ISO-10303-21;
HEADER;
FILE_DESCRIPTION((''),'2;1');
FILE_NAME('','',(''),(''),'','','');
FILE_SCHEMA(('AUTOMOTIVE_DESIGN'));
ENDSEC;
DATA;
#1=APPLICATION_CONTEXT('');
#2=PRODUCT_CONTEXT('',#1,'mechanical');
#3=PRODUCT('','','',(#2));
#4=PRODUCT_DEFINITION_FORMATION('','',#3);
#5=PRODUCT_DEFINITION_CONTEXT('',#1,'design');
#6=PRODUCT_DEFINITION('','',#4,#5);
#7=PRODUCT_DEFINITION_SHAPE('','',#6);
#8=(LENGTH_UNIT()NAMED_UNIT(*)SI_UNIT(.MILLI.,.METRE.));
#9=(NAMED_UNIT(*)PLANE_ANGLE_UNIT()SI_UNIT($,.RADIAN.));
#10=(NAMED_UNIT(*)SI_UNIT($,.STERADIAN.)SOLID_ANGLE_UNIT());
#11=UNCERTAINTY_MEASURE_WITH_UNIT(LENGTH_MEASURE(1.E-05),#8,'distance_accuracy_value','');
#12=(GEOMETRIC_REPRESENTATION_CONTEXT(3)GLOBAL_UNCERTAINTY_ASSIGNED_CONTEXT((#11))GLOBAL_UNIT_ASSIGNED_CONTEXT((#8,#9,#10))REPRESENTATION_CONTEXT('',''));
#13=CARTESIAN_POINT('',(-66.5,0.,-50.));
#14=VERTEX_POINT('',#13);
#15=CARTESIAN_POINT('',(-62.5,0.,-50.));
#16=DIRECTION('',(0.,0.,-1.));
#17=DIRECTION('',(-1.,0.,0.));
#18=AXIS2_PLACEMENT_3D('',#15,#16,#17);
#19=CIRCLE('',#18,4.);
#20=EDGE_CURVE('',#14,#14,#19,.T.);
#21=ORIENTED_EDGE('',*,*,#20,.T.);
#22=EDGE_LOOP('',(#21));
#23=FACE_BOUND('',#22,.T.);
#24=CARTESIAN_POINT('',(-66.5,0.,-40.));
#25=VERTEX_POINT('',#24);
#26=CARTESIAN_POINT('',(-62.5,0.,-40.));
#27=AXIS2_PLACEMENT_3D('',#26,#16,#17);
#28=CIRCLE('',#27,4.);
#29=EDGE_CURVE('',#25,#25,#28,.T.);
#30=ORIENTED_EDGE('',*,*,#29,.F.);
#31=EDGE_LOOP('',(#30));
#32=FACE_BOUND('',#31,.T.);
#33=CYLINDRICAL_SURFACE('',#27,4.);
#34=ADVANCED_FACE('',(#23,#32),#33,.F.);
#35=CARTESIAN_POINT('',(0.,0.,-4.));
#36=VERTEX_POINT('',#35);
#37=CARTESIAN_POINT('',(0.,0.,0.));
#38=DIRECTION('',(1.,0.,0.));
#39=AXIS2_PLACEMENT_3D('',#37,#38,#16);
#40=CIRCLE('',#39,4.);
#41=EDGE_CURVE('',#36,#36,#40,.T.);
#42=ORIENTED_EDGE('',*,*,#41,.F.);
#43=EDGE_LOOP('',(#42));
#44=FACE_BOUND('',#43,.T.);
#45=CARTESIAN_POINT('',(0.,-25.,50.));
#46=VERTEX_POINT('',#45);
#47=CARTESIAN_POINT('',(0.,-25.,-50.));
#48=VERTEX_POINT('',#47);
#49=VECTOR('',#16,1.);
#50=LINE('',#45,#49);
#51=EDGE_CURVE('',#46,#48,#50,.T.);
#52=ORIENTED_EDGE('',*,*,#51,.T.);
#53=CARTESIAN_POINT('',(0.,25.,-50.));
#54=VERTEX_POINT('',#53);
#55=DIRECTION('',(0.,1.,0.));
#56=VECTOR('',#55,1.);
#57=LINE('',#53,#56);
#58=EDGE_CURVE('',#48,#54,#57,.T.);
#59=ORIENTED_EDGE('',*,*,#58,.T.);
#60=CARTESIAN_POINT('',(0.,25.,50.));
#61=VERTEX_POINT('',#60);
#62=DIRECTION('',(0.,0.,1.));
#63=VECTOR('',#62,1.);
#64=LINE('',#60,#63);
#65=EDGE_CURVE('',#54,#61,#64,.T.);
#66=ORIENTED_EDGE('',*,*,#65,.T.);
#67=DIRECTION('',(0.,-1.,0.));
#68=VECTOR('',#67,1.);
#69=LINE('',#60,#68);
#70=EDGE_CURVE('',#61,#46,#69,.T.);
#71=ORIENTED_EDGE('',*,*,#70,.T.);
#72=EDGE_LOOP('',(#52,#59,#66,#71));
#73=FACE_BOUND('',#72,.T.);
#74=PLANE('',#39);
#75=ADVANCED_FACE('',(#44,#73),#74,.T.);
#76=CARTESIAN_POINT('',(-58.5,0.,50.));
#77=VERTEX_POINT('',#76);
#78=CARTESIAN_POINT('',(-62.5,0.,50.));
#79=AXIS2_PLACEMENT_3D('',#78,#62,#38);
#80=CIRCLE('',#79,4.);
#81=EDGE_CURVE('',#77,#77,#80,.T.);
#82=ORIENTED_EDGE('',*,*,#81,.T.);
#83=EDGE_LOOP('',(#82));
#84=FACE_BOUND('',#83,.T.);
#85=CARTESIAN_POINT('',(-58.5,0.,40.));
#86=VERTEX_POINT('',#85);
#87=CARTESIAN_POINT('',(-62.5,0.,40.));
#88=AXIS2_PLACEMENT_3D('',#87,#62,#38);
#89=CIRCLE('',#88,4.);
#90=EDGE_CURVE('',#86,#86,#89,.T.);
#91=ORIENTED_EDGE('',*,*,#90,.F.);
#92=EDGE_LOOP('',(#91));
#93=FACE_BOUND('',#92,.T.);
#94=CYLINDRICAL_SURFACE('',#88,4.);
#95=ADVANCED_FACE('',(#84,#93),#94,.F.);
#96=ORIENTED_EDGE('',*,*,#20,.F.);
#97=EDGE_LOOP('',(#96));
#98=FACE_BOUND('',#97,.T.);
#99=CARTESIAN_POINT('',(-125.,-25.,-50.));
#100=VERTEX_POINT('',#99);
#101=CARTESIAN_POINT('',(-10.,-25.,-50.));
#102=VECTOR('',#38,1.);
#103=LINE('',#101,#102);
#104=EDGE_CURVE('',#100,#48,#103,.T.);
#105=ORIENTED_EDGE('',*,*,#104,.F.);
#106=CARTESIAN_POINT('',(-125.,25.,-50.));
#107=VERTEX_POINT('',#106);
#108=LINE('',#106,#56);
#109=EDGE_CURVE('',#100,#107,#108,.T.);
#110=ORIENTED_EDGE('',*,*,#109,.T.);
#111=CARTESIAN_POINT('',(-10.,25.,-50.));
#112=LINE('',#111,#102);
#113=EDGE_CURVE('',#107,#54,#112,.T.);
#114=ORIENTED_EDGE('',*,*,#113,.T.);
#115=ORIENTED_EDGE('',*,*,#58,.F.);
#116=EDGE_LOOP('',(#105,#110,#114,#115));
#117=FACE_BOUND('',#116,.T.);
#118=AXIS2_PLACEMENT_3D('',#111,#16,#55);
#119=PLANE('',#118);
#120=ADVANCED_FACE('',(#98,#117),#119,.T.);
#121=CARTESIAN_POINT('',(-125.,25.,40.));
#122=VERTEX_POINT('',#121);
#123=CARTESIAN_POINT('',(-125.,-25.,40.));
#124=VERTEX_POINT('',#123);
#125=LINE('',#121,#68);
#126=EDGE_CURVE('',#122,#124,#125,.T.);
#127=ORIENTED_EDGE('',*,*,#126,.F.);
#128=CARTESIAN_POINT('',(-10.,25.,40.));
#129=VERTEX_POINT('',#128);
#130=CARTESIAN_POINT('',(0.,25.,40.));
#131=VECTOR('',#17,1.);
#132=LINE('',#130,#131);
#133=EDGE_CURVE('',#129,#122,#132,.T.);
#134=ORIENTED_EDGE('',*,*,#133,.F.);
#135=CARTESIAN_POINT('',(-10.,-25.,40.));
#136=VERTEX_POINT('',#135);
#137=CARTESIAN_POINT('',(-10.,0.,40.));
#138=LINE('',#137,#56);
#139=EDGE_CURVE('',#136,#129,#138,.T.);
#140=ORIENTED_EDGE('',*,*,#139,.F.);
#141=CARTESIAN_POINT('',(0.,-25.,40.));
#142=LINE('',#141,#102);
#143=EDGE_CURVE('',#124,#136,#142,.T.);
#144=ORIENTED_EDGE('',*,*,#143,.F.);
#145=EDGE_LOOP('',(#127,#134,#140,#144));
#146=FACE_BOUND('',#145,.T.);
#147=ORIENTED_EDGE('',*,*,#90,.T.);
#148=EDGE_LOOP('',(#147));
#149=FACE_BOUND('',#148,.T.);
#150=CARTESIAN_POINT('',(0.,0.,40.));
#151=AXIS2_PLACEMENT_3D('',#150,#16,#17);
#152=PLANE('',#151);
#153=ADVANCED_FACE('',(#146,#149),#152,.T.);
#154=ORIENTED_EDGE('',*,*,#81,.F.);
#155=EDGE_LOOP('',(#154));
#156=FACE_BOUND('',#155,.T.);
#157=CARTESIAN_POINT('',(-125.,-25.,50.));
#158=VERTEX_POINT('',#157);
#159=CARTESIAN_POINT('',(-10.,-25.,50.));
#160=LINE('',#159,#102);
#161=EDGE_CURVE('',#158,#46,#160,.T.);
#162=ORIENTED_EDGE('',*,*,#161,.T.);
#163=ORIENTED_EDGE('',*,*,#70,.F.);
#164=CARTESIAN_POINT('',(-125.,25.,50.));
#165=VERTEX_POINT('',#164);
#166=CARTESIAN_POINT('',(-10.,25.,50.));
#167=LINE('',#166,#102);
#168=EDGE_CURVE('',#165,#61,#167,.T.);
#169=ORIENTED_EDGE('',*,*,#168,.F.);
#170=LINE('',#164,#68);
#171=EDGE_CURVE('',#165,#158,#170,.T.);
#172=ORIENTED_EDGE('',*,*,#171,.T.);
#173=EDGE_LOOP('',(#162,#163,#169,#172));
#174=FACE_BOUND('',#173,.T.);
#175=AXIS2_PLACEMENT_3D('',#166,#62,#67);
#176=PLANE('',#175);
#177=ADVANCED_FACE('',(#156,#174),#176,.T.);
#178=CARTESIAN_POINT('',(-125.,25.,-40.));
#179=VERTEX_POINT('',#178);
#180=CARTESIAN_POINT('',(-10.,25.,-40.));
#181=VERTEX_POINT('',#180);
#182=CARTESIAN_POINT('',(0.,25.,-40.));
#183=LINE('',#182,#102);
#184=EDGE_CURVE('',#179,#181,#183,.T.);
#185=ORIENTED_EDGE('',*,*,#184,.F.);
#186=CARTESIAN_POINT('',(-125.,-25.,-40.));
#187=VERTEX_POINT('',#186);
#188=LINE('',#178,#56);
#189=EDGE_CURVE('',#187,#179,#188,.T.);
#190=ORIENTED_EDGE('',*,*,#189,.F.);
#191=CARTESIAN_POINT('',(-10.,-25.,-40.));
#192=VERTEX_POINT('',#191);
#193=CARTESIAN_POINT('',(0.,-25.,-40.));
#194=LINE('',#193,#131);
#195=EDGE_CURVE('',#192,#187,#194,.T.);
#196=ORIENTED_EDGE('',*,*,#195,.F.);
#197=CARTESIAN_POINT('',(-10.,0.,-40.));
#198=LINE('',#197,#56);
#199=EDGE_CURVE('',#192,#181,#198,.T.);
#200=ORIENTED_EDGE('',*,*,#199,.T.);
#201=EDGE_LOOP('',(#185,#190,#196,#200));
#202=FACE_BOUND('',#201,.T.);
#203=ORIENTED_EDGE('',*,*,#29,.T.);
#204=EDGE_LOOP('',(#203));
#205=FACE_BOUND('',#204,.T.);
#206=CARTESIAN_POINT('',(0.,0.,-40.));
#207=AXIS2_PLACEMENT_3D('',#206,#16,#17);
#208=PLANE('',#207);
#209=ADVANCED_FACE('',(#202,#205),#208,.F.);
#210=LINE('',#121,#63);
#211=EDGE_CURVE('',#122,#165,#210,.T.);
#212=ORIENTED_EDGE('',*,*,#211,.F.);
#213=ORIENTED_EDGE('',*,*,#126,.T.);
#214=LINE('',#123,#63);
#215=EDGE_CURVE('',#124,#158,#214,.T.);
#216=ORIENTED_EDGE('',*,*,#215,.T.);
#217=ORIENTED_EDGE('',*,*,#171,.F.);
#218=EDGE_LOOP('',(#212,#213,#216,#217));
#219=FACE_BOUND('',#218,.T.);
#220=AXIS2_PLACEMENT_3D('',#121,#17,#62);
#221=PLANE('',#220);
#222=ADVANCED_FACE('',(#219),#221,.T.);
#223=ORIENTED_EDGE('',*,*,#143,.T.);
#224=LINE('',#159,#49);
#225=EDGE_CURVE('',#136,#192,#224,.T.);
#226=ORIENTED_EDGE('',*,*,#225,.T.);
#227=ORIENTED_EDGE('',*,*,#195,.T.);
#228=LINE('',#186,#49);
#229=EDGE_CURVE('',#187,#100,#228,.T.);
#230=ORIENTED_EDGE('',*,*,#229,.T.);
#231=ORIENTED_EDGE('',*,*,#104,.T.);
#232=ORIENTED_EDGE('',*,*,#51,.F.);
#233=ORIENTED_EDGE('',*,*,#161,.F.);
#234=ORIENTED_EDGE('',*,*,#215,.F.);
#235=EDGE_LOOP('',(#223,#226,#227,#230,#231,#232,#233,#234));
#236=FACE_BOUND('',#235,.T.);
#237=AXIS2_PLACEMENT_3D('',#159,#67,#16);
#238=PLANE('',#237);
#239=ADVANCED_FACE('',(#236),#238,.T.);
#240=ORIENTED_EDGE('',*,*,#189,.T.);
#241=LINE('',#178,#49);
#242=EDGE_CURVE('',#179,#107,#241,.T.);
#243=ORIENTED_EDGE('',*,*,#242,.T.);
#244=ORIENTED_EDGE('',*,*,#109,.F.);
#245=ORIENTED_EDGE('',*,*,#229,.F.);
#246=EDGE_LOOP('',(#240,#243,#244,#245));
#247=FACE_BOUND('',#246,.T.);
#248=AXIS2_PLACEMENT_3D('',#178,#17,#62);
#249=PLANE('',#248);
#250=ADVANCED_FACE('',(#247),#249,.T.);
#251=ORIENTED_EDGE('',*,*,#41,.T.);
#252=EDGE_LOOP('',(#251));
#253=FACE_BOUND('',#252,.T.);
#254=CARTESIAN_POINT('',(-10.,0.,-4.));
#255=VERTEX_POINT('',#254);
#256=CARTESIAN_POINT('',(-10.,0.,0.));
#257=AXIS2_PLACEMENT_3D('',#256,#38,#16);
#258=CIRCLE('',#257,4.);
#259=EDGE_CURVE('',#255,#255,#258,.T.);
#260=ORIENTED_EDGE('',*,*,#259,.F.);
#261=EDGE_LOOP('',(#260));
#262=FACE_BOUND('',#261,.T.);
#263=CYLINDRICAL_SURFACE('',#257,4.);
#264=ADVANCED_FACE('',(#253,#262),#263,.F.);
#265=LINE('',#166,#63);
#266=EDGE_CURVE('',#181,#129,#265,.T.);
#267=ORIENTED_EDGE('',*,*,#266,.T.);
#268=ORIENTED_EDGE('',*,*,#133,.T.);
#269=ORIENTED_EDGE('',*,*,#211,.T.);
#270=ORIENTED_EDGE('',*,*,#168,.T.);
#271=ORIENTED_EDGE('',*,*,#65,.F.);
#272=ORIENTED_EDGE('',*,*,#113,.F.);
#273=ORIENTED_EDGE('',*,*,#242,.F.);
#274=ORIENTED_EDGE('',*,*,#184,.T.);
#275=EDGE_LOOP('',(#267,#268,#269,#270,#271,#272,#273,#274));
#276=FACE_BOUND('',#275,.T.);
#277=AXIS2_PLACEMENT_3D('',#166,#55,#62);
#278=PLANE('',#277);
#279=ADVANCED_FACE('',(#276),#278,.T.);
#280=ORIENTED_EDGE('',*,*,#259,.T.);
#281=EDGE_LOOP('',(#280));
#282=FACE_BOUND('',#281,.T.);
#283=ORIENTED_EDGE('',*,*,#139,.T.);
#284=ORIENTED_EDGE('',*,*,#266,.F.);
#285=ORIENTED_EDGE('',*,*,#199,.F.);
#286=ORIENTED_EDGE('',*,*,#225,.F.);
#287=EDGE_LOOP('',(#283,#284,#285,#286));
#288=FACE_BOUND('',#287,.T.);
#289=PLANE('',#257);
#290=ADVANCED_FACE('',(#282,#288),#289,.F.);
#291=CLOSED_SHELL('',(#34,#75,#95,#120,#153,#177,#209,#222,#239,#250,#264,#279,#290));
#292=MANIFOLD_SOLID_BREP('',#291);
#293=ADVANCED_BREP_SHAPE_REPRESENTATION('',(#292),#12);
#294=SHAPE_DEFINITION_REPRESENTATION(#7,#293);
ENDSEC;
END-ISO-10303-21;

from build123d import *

# Parameters (mm, degrees)
SKETCH5_W           = 100
SKETCH5_H           = 50
SKETCH5_R           = 4
BOSS_EXTRUDE6_DEPTH = 10
SKETCH6_W           = 125
SKETCH6_H           = 50
SKETCH6_R           = 4
BOSS_EXTRUDE7_DEPTH = 10
SKETCH7_W           = 125
SKETCH7_H           = 50
SKETCH7_R           = 4
BOSS_EXTRUDE8_DEPTH = 10


with BuildPart() as part:
    # Sketch5 → Boss-Extrude6 (new body)
    with BuildSketch(Plane(origin=(0, 0, 0), x_dir=(0, 0, -1), z_dir=(1, 0, 0))):
        Rectangle(SKETCH5_W, SKETCH5_H)
        Circle(SKETCH5_R, mode=Mode.SUBTRACT)
    extrude(amount=-BOSS_EXTRUDE6_DEPTH)

    # Sketch6 → Boss-Extrude7 (add)
    with BuildSketch(Plane(origin=(0, 0, -50), x_dir=(-1, 0, 0), z_dir=(0, 0, -1))):
        with Locations((62.5, 0)):
            Rectangle(SKETCH6_W, SKETCH6_H)
        with Locations((62.5, 0)):
            Circle(SKETCH6_R, mode=Mode.SUBTRACT)
    extrude(amount=-BOSS_EXTRUDE7_DEPTH)

    # Sketch7 → Boss-Extrude8 (add)
    with BuildSketch(Plane.XY.offset(50)):
        with Locations((-62.5, 0)):
            Rectangle(SKETCH7_W, SKETCH7_H)
        with Locations((-62.5, 0)):
            Circle(SKETCH7_R, mode=Mode.SUBTRACT)
    extrude(amount=-BOSS_EXTRUDE8_DEPTH)


solid = part.part
